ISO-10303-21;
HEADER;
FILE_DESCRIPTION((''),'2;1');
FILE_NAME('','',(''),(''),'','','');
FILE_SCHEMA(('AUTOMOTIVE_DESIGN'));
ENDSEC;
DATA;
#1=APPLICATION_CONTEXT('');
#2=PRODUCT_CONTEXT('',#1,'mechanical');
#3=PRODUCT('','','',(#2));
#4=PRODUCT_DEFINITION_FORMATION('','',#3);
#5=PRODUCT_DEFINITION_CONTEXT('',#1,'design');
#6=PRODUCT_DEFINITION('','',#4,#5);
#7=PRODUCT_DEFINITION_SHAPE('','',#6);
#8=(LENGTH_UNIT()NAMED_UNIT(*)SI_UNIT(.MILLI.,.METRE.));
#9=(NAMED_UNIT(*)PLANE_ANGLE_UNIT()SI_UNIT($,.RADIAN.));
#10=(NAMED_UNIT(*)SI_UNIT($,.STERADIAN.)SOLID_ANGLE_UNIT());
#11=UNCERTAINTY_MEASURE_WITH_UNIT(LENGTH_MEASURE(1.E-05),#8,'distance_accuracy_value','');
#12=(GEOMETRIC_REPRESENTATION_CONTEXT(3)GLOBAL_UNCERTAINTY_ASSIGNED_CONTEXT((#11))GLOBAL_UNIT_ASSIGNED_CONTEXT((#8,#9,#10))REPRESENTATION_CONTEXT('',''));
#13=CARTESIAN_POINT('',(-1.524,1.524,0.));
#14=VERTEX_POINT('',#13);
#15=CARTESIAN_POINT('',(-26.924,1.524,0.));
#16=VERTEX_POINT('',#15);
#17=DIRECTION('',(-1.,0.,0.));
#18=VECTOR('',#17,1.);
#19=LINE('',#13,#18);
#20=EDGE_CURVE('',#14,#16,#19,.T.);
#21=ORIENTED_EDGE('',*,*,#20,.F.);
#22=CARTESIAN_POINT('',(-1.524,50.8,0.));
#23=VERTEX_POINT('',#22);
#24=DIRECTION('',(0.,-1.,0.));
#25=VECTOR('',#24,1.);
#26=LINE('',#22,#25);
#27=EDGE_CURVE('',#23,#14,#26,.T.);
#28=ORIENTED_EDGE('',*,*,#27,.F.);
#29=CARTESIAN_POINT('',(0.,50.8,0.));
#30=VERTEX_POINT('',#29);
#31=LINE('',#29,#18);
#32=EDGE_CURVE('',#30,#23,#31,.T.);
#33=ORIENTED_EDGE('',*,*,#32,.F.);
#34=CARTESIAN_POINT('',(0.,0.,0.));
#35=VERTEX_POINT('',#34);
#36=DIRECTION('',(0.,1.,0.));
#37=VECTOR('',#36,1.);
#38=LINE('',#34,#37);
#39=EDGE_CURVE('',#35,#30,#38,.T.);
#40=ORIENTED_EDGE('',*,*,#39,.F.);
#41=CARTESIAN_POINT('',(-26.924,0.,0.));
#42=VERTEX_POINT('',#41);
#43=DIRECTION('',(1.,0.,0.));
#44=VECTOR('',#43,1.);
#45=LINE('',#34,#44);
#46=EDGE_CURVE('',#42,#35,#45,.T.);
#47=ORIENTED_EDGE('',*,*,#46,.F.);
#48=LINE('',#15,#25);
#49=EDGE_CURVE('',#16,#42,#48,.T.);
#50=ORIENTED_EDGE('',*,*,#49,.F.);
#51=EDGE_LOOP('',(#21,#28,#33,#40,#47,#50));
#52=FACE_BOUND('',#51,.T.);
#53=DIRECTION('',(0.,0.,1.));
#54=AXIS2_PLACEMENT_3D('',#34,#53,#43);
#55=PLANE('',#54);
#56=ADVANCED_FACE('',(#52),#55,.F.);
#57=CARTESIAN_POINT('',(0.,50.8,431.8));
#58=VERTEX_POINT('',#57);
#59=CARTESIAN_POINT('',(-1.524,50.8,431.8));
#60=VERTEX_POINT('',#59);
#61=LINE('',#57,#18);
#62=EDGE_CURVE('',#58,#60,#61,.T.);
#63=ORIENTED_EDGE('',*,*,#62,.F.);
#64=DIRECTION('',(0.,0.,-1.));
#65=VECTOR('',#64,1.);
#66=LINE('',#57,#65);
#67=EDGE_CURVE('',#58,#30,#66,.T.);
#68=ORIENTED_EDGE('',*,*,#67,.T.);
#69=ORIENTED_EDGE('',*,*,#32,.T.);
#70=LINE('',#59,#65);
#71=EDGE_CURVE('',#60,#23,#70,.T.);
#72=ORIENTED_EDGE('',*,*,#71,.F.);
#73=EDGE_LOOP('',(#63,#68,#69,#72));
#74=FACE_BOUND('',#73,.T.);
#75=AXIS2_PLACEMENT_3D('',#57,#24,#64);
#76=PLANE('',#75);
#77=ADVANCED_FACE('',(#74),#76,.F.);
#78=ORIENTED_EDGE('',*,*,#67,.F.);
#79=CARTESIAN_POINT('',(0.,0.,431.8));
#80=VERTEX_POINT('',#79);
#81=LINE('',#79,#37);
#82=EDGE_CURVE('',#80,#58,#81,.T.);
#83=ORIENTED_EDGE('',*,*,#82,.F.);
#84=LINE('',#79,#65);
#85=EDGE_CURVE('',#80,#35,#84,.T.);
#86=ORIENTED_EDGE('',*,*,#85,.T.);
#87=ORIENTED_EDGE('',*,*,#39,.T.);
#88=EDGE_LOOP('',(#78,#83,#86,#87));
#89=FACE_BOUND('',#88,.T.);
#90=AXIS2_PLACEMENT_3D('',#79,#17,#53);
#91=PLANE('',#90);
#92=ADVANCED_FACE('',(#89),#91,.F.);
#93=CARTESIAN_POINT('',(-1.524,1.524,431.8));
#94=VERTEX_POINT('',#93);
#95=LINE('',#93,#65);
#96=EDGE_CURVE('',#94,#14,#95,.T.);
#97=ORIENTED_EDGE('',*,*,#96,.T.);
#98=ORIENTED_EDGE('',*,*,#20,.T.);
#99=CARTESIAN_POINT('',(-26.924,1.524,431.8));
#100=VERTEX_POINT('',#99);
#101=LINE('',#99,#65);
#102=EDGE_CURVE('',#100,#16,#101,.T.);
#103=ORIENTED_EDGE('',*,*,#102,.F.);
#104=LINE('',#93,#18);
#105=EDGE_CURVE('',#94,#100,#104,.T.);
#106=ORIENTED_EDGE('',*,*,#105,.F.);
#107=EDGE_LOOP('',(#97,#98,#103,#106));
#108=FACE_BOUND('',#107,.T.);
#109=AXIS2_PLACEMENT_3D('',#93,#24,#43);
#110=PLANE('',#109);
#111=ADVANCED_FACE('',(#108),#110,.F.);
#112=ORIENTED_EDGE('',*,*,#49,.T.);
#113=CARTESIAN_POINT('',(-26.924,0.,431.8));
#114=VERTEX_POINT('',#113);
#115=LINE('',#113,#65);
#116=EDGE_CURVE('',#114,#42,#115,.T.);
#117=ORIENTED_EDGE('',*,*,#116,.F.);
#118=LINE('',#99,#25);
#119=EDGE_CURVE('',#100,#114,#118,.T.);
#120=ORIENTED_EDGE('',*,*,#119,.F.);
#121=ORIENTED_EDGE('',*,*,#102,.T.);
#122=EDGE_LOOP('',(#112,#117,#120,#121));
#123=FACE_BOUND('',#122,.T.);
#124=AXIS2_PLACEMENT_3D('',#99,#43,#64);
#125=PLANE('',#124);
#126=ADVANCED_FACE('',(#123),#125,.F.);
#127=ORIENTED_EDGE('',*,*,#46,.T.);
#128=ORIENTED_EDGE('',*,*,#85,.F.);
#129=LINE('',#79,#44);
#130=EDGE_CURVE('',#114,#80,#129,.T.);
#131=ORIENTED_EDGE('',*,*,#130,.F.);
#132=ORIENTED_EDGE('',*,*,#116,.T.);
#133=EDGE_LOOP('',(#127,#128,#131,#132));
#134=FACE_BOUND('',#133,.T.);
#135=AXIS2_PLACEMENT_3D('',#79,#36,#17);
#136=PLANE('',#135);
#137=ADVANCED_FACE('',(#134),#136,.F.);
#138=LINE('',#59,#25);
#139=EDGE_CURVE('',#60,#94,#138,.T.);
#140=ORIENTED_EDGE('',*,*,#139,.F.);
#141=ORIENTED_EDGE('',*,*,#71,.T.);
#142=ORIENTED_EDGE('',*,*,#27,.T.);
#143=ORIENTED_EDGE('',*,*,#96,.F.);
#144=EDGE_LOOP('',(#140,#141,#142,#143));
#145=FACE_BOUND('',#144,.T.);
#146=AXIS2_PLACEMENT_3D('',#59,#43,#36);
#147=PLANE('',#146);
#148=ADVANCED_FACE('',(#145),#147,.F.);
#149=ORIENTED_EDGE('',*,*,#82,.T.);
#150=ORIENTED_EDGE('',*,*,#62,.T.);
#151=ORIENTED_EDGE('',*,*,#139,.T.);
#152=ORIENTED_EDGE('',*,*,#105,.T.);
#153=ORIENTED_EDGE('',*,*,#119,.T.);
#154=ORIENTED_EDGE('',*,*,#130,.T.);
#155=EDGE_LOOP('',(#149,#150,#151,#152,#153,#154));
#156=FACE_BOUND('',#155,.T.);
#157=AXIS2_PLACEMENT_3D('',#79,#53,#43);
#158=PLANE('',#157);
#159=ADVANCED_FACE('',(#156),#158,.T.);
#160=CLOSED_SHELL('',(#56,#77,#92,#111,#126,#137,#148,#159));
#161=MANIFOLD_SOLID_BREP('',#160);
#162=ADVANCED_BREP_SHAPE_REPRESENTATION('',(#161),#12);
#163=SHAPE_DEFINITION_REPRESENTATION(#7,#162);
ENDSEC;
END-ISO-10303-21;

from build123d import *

# Parameters (mm, degrees)
BOSS_EXTRUDE2_DEPTH = 431.8


with BuildPart() as part:
    # Sketch3 → Boss-Extrude2 (new body)
    with BuildSketch(Plane.XY):
        Polygon((0, 0), (-26.924, 0), (-26.924, 1.524), (-1.524, 1.524), (-1.524, 50.8), (0, 50.8), align=None)
    extrude(amount=BOSS_EXTRUDE2_DEPTH)


solid = part.part
